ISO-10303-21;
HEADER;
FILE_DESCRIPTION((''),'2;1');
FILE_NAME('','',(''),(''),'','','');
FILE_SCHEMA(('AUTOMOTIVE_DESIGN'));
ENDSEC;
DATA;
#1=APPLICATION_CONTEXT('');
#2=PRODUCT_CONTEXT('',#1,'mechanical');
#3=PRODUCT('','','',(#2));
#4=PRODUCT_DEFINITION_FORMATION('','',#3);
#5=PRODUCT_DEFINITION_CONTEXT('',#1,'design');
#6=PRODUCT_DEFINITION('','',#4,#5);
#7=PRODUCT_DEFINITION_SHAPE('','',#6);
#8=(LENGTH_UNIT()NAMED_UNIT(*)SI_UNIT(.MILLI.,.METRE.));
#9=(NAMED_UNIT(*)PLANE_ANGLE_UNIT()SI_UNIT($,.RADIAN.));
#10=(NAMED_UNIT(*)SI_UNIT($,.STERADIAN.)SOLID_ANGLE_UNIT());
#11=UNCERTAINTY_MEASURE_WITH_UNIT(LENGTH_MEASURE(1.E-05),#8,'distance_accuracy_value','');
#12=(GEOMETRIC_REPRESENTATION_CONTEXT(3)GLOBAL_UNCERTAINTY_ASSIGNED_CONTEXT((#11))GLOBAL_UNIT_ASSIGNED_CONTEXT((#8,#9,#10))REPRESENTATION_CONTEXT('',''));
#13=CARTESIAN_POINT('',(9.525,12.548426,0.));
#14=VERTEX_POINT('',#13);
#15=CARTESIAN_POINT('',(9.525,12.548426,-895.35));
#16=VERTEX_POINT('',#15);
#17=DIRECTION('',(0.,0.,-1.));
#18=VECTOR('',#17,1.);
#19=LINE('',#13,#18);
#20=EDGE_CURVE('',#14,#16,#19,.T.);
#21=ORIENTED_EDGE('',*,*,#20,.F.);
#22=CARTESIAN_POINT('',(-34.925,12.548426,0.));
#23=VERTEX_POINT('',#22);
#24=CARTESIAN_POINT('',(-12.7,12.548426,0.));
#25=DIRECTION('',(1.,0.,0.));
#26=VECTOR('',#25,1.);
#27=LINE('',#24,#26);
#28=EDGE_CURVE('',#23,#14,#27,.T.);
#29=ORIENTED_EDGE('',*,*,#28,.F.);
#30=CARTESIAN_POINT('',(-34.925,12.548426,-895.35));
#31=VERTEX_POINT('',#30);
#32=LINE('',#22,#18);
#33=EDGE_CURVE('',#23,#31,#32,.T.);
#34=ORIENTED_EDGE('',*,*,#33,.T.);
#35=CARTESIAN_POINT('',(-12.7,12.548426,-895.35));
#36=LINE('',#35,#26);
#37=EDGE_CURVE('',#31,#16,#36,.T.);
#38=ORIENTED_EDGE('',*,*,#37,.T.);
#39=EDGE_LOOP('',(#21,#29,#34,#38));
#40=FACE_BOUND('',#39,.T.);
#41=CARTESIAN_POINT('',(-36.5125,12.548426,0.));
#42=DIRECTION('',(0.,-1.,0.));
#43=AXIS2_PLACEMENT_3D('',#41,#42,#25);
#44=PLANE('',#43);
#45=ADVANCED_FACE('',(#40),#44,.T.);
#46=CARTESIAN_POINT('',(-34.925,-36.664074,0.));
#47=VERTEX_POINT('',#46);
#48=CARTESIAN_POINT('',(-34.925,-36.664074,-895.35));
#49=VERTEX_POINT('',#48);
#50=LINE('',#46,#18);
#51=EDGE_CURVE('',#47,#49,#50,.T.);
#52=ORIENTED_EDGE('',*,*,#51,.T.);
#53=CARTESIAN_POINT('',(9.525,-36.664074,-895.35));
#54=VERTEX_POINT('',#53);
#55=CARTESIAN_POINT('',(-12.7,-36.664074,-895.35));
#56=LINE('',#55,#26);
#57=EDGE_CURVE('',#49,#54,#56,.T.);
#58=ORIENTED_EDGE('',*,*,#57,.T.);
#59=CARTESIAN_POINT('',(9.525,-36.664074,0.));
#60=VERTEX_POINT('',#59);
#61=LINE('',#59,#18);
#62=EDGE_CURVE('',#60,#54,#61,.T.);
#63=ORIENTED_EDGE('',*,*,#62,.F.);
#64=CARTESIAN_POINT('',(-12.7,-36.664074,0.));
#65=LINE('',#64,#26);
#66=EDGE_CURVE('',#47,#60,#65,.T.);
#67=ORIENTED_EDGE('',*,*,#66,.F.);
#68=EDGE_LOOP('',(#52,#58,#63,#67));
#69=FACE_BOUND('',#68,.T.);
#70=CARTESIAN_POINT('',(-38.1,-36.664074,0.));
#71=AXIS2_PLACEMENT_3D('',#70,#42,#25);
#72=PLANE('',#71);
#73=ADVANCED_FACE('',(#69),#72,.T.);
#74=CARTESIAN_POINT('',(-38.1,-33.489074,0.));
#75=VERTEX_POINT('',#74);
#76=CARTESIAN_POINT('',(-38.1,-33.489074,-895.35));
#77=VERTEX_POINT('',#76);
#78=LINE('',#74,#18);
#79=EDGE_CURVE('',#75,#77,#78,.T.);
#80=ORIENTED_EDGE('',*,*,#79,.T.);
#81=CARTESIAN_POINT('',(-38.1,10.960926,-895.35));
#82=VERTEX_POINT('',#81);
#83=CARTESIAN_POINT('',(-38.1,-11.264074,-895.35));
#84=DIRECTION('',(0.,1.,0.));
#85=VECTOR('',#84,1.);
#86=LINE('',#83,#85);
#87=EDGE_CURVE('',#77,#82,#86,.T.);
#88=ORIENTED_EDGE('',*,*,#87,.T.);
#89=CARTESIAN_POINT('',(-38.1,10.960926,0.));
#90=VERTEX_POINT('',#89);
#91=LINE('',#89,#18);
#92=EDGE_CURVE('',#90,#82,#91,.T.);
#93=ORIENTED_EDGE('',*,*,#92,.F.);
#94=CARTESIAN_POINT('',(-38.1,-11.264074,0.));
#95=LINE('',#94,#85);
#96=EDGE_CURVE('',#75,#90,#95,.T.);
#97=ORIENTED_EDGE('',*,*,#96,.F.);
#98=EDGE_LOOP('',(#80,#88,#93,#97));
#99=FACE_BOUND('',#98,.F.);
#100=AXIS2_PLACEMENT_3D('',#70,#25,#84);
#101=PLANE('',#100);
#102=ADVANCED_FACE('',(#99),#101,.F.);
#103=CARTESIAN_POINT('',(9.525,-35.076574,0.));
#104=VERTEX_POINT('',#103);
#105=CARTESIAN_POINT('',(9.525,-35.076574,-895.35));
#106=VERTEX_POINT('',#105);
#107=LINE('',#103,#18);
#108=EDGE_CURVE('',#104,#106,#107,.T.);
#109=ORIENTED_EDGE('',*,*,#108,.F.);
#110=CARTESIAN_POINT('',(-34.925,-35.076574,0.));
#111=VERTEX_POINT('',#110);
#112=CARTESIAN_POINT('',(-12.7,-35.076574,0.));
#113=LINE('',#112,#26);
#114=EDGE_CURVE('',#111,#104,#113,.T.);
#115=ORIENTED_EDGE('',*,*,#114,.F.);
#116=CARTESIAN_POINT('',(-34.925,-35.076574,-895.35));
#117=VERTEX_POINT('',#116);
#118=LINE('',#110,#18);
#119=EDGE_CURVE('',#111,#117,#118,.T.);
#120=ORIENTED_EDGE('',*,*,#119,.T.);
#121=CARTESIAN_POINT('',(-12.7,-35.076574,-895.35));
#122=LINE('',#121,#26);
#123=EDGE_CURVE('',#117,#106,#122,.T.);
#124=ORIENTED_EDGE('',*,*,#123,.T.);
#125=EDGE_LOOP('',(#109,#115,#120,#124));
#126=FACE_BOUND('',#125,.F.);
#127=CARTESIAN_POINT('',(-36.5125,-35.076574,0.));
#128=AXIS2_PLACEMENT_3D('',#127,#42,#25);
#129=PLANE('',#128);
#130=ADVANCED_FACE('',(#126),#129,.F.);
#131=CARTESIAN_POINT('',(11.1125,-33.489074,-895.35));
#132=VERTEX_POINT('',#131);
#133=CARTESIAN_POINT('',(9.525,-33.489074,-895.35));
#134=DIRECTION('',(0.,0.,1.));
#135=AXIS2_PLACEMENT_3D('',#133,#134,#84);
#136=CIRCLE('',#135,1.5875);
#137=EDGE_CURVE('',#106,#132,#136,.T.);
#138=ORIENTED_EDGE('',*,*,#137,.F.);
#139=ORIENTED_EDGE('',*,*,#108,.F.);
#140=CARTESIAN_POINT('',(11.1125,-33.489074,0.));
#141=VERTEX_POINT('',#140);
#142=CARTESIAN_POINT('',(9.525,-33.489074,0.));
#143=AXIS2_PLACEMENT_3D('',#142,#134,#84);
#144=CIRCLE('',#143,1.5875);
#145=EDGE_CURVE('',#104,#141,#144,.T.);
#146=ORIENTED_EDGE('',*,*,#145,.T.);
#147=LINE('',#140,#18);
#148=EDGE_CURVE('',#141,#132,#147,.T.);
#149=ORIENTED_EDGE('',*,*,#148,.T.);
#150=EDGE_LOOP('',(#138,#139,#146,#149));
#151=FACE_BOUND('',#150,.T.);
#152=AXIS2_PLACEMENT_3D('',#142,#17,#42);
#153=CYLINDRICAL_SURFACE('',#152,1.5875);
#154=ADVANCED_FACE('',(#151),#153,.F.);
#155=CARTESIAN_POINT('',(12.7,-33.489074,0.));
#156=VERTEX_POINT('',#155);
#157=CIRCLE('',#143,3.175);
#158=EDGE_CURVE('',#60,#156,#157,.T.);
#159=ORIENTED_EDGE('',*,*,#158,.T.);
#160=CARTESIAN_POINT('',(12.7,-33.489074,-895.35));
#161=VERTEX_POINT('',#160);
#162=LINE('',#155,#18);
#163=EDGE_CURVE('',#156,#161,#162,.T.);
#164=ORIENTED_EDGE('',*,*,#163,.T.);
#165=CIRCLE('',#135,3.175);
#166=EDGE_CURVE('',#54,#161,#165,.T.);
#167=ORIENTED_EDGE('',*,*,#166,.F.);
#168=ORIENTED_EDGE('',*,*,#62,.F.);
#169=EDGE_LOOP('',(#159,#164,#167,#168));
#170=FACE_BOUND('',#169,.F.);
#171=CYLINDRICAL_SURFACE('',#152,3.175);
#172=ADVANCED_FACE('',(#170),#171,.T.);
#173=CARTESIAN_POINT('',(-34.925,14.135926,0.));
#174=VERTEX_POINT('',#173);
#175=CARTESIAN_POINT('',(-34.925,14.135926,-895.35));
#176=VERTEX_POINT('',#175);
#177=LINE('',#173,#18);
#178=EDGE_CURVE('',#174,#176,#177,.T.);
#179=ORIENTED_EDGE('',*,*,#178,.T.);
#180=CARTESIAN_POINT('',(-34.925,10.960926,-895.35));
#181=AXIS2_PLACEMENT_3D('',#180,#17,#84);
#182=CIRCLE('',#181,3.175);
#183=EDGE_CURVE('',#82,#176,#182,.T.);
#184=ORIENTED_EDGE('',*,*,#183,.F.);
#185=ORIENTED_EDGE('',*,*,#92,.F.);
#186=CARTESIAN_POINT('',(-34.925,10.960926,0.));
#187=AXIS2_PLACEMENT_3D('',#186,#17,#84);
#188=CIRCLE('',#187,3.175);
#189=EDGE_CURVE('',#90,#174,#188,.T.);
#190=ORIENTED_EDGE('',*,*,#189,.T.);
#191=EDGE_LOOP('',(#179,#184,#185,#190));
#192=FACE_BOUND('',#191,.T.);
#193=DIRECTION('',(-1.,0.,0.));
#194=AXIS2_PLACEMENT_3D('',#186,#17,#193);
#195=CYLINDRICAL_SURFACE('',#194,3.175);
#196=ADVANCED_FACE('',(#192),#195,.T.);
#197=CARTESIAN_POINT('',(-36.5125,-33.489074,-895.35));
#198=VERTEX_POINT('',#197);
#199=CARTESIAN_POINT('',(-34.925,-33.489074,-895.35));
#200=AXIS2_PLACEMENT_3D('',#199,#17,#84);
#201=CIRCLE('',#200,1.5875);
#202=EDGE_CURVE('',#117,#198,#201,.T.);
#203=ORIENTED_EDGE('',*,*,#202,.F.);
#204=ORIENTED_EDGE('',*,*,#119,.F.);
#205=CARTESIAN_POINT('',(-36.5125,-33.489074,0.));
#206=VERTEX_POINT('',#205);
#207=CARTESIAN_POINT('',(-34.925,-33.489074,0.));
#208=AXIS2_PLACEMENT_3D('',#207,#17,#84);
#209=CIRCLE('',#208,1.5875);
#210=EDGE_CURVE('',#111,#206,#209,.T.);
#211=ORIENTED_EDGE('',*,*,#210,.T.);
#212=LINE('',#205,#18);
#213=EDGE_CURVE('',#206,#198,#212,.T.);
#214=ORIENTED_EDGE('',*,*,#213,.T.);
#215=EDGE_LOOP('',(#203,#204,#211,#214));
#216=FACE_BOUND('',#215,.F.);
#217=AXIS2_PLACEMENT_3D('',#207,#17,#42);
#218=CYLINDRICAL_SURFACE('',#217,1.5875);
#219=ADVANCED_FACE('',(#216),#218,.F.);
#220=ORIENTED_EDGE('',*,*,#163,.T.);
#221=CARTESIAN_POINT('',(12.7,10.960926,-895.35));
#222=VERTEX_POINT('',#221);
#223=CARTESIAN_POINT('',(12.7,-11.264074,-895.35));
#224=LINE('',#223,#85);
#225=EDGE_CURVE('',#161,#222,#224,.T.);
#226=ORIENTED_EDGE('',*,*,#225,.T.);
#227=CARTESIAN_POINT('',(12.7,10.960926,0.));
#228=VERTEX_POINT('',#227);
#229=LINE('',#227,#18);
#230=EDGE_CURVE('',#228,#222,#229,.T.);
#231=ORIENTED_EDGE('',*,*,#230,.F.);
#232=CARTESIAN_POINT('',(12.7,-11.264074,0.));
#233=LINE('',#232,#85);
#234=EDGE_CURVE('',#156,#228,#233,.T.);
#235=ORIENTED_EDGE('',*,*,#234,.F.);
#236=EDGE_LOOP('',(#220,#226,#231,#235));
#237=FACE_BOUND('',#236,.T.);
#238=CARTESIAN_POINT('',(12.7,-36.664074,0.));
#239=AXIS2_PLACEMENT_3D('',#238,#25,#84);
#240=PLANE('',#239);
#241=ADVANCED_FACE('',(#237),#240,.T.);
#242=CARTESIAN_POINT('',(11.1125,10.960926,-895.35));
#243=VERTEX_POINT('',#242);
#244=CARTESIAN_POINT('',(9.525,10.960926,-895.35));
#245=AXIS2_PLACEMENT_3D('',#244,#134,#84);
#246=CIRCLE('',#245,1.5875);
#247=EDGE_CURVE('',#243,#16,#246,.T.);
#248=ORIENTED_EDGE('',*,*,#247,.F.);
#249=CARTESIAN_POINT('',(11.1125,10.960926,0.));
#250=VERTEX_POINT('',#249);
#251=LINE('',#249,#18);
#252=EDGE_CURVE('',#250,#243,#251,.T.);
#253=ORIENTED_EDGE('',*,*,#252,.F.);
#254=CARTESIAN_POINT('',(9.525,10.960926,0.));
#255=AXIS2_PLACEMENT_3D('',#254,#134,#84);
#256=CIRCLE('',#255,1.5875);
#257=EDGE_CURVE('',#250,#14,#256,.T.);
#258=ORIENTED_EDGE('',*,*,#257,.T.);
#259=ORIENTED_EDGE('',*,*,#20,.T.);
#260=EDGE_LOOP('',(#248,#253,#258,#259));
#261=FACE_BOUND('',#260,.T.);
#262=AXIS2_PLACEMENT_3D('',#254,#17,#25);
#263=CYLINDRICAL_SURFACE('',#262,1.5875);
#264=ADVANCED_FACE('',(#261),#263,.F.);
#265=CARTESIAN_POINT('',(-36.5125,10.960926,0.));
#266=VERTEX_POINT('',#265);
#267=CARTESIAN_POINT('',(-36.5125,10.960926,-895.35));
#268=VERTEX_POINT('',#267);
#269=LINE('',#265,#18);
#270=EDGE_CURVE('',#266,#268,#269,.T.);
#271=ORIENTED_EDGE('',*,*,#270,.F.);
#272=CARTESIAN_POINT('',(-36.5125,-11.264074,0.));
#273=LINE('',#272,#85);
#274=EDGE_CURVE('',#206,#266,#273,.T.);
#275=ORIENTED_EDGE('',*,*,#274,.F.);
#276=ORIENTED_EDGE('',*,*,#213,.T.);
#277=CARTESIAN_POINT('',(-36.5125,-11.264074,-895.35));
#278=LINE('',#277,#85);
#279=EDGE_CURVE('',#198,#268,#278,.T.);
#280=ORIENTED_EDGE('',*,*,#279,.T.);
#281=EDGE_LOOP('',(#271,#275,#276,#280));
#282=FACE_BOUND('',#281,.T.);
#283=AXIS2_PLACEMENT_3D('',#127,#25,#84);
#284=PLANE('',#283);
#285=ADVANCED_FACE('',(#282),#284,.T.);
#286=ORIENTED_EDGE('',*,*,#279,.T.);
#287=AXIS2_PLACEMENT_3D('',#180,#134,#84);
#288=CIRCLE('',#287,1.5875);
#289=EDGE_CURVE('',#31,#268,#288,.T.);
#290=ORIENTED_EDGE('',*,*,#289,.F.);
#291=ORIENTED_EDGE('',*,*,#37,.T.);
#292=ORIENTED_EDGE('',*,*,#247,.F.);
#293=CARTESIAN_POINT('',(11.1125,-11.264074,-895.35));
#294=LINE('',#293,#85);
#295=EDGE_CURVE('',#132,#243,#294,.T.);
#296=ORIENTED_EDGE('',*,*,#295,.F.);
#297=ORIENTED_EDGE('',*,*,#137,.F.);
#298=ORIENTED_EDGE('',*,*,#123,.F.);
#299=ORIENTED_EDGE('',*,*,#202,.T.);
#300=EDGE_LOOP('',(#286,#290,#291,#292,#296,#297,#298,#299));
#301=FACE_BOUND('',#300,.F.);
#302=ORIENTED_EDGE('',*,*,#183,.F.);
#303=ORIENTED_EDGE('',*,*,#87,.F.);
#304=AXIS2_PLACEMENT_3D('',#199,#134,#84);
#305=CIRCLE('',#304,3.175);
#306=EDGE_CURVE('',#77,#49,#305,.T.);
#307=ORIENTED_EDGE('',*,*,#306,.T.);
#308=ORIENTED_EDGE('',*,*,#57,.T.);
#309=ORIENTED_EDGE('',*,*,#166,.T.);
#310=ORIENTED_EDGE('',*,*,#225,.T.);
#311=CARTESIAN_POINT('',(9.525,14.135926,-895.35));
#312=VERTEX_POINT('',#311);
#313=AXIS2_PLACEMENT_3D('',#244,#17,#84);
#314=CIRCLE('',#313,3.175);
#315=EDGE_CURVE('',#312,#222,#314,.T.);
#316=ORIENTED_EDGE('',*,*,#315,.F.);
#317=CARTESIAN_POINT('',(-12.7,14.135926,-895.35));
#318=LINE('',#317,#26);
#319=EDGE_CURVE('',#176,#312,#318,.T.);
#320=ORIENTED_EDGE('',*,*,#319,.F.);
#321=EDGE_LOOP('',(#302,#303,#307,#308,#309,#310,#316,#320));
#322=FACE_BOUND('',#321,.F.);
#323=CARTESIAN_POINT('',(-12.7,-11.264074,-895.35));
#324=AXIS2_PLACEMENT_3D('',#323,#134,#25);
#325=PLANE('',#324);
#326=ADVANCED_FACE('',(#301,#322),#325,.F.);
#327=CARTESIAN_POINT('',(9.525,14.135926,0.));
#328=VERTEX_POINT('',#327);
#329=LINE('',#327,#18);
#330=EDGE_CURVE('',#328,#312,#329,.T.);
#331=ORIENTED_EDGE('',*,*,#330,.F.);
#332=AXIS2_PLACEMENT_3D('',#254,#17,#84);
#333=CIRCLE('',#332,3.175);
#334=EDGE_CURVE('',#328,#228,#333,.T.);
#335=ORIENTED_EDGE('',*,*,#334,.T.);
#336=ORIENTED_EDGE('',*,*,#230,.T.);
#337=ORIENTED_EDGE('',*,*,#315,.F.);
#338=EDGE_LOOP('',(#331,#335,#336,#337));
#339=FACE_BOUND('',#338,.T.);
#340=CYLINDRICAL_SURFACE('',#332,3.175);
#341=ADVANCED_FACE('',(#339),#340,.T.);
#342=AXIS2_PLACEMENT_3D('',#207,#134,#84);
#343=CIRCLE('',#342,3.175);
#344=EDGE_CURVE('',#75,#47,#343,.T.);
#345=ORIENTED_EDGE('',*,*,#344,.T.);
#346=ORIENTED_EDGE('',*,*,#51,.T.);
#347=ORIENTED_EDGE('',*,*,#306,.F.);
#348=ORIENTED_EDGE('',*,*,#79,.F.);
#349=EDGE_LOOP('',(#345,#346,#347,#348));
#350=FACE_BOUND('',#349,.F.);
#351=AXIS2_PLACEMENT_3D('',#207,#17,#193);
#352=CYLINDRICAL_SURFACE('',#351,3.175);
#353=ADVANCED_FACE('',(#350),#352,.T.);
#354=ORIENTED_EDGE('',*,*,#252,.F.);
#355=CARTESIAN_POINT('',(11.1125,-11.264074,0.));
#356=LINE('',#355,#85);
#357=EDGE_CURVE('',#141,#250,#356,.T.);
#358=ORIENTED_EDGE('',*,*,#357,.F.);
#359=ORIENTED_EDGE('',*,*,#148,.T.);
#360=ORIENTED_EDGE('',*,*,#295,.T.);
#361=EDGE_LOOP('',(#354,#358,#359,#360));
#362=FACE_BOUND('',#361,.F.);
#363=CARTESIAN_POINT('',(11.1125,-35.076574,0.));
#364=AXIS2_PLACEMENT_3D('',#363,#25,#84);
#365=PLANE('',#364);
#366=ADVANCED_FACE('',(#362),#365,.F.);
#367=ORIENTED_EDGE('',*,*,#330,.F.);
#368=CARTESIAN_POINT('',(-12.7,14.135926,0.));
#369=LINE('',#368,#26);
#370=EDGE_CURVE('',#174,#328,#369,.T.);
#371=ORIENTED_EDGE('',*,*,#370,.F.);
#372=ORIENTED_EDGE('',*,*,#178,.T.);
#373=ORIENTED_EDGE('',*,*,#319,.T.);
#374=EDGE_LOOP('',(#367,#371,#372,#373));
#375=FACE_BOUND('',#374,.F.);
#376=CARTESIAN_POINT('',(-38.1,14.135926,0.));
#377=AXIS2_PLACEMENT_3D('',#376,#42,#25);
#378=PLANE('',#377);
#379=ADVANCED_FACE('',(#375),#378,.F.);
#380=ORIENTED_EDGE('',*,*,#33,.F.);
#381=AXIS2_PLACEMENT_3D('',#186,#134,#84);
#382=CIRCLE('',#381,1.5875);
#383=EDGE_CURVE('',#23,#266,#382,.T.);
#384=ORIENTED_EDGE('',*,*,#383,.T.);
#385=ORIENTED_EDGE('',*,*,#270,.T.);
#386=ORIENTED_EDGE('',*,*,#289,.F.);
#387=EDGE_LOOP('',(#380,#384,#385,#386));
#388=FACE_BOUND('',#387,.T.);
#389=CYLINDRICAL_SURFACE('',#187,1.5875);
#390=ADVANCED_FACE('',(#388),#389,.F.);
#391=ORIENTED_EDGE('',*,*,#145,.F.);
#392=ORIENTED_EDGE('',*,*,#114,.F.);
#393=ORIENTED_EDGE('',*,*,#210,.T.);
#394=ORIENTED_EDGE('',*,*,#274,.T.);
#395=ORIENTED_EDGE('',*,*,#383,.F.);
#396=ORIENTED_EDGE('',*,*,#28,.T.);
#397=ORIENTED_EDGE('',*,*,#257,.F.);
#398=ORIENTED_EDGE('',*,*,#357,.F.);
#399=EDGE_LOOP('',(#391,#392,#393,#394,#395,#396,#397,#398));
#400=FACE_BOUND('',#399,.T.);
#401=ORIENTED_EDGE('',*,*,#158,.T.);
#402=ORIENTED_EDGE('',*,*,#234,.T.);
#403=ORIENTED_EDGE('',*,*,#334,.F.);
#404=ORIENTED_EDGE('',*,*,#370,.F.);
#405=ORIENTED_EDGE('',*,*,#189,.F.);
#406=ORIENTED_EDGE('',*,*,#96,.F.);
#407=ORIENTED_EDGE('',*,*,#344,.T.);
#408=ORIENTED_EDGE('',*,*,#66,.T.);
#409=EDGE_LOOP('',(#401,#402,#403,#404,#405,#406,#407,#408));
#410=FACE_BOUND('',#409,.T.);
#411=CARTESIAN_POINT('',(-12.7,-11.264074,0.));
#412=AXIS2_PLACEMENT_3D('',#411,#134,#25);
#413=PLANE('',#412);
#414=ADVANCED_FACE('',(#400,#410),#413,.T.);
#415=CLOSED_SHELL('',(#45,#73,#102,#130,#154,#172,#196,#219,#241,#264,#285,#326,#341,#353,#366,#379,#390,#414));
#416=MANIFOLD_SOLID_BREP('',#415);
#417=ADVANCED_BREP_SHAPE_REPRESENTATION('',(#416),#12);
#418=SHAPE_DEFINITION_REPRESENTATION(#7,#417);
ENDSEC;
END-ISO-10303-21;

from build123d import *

# Parameters (mm, degrees)
F0_W     = 50.8
F0_H     = 50.8
F0_W_2   = 47.625
F0_H_2   = 47.625
F1_DEPTH = 895.35
F2_R     = 3.175
F3_R     = 1.5875


with BuildPart() as f1:
    # F0 (on Top) → F1 (new body)
    with BuildSketch(Plane.XY):
        with Locations((-12.7, -11.264074)):
            Rectangle(F0_W, F0_H)
        with Locations((-12.7, -11.264074)):
            Rectangle(F0_W_2, F0_H_2, mode=Mode.SUBTRACT)
    extrude(amount=-F1_DEPTH)

    # F2
    f2_edges = [f1.edges().sort_by_distance(p)[0] for p in [
        (-38.1, -36.664074, -447.675),
        (12.7, -36.664074, -447.675),
        (12.7, 14.135926, -447.675),
        (-38.1, 14.135926, -447.675),
    ]]
    fillet(f2_edges, radius=F2_R)

    # F3
    f3_edges = [f1.edges().sort_by_distance(p)[0] for p in [
        (-36.5125, 12.548426, -447.675),
        (11.1125, 12.548426, -447.675),
        (11.1125, -35.076574, -447.675),
        (-36.5125, -35.076574, -447.675),
    ]]
    fillet(f3_edges, radius=F3_R)


solid = f1.part
